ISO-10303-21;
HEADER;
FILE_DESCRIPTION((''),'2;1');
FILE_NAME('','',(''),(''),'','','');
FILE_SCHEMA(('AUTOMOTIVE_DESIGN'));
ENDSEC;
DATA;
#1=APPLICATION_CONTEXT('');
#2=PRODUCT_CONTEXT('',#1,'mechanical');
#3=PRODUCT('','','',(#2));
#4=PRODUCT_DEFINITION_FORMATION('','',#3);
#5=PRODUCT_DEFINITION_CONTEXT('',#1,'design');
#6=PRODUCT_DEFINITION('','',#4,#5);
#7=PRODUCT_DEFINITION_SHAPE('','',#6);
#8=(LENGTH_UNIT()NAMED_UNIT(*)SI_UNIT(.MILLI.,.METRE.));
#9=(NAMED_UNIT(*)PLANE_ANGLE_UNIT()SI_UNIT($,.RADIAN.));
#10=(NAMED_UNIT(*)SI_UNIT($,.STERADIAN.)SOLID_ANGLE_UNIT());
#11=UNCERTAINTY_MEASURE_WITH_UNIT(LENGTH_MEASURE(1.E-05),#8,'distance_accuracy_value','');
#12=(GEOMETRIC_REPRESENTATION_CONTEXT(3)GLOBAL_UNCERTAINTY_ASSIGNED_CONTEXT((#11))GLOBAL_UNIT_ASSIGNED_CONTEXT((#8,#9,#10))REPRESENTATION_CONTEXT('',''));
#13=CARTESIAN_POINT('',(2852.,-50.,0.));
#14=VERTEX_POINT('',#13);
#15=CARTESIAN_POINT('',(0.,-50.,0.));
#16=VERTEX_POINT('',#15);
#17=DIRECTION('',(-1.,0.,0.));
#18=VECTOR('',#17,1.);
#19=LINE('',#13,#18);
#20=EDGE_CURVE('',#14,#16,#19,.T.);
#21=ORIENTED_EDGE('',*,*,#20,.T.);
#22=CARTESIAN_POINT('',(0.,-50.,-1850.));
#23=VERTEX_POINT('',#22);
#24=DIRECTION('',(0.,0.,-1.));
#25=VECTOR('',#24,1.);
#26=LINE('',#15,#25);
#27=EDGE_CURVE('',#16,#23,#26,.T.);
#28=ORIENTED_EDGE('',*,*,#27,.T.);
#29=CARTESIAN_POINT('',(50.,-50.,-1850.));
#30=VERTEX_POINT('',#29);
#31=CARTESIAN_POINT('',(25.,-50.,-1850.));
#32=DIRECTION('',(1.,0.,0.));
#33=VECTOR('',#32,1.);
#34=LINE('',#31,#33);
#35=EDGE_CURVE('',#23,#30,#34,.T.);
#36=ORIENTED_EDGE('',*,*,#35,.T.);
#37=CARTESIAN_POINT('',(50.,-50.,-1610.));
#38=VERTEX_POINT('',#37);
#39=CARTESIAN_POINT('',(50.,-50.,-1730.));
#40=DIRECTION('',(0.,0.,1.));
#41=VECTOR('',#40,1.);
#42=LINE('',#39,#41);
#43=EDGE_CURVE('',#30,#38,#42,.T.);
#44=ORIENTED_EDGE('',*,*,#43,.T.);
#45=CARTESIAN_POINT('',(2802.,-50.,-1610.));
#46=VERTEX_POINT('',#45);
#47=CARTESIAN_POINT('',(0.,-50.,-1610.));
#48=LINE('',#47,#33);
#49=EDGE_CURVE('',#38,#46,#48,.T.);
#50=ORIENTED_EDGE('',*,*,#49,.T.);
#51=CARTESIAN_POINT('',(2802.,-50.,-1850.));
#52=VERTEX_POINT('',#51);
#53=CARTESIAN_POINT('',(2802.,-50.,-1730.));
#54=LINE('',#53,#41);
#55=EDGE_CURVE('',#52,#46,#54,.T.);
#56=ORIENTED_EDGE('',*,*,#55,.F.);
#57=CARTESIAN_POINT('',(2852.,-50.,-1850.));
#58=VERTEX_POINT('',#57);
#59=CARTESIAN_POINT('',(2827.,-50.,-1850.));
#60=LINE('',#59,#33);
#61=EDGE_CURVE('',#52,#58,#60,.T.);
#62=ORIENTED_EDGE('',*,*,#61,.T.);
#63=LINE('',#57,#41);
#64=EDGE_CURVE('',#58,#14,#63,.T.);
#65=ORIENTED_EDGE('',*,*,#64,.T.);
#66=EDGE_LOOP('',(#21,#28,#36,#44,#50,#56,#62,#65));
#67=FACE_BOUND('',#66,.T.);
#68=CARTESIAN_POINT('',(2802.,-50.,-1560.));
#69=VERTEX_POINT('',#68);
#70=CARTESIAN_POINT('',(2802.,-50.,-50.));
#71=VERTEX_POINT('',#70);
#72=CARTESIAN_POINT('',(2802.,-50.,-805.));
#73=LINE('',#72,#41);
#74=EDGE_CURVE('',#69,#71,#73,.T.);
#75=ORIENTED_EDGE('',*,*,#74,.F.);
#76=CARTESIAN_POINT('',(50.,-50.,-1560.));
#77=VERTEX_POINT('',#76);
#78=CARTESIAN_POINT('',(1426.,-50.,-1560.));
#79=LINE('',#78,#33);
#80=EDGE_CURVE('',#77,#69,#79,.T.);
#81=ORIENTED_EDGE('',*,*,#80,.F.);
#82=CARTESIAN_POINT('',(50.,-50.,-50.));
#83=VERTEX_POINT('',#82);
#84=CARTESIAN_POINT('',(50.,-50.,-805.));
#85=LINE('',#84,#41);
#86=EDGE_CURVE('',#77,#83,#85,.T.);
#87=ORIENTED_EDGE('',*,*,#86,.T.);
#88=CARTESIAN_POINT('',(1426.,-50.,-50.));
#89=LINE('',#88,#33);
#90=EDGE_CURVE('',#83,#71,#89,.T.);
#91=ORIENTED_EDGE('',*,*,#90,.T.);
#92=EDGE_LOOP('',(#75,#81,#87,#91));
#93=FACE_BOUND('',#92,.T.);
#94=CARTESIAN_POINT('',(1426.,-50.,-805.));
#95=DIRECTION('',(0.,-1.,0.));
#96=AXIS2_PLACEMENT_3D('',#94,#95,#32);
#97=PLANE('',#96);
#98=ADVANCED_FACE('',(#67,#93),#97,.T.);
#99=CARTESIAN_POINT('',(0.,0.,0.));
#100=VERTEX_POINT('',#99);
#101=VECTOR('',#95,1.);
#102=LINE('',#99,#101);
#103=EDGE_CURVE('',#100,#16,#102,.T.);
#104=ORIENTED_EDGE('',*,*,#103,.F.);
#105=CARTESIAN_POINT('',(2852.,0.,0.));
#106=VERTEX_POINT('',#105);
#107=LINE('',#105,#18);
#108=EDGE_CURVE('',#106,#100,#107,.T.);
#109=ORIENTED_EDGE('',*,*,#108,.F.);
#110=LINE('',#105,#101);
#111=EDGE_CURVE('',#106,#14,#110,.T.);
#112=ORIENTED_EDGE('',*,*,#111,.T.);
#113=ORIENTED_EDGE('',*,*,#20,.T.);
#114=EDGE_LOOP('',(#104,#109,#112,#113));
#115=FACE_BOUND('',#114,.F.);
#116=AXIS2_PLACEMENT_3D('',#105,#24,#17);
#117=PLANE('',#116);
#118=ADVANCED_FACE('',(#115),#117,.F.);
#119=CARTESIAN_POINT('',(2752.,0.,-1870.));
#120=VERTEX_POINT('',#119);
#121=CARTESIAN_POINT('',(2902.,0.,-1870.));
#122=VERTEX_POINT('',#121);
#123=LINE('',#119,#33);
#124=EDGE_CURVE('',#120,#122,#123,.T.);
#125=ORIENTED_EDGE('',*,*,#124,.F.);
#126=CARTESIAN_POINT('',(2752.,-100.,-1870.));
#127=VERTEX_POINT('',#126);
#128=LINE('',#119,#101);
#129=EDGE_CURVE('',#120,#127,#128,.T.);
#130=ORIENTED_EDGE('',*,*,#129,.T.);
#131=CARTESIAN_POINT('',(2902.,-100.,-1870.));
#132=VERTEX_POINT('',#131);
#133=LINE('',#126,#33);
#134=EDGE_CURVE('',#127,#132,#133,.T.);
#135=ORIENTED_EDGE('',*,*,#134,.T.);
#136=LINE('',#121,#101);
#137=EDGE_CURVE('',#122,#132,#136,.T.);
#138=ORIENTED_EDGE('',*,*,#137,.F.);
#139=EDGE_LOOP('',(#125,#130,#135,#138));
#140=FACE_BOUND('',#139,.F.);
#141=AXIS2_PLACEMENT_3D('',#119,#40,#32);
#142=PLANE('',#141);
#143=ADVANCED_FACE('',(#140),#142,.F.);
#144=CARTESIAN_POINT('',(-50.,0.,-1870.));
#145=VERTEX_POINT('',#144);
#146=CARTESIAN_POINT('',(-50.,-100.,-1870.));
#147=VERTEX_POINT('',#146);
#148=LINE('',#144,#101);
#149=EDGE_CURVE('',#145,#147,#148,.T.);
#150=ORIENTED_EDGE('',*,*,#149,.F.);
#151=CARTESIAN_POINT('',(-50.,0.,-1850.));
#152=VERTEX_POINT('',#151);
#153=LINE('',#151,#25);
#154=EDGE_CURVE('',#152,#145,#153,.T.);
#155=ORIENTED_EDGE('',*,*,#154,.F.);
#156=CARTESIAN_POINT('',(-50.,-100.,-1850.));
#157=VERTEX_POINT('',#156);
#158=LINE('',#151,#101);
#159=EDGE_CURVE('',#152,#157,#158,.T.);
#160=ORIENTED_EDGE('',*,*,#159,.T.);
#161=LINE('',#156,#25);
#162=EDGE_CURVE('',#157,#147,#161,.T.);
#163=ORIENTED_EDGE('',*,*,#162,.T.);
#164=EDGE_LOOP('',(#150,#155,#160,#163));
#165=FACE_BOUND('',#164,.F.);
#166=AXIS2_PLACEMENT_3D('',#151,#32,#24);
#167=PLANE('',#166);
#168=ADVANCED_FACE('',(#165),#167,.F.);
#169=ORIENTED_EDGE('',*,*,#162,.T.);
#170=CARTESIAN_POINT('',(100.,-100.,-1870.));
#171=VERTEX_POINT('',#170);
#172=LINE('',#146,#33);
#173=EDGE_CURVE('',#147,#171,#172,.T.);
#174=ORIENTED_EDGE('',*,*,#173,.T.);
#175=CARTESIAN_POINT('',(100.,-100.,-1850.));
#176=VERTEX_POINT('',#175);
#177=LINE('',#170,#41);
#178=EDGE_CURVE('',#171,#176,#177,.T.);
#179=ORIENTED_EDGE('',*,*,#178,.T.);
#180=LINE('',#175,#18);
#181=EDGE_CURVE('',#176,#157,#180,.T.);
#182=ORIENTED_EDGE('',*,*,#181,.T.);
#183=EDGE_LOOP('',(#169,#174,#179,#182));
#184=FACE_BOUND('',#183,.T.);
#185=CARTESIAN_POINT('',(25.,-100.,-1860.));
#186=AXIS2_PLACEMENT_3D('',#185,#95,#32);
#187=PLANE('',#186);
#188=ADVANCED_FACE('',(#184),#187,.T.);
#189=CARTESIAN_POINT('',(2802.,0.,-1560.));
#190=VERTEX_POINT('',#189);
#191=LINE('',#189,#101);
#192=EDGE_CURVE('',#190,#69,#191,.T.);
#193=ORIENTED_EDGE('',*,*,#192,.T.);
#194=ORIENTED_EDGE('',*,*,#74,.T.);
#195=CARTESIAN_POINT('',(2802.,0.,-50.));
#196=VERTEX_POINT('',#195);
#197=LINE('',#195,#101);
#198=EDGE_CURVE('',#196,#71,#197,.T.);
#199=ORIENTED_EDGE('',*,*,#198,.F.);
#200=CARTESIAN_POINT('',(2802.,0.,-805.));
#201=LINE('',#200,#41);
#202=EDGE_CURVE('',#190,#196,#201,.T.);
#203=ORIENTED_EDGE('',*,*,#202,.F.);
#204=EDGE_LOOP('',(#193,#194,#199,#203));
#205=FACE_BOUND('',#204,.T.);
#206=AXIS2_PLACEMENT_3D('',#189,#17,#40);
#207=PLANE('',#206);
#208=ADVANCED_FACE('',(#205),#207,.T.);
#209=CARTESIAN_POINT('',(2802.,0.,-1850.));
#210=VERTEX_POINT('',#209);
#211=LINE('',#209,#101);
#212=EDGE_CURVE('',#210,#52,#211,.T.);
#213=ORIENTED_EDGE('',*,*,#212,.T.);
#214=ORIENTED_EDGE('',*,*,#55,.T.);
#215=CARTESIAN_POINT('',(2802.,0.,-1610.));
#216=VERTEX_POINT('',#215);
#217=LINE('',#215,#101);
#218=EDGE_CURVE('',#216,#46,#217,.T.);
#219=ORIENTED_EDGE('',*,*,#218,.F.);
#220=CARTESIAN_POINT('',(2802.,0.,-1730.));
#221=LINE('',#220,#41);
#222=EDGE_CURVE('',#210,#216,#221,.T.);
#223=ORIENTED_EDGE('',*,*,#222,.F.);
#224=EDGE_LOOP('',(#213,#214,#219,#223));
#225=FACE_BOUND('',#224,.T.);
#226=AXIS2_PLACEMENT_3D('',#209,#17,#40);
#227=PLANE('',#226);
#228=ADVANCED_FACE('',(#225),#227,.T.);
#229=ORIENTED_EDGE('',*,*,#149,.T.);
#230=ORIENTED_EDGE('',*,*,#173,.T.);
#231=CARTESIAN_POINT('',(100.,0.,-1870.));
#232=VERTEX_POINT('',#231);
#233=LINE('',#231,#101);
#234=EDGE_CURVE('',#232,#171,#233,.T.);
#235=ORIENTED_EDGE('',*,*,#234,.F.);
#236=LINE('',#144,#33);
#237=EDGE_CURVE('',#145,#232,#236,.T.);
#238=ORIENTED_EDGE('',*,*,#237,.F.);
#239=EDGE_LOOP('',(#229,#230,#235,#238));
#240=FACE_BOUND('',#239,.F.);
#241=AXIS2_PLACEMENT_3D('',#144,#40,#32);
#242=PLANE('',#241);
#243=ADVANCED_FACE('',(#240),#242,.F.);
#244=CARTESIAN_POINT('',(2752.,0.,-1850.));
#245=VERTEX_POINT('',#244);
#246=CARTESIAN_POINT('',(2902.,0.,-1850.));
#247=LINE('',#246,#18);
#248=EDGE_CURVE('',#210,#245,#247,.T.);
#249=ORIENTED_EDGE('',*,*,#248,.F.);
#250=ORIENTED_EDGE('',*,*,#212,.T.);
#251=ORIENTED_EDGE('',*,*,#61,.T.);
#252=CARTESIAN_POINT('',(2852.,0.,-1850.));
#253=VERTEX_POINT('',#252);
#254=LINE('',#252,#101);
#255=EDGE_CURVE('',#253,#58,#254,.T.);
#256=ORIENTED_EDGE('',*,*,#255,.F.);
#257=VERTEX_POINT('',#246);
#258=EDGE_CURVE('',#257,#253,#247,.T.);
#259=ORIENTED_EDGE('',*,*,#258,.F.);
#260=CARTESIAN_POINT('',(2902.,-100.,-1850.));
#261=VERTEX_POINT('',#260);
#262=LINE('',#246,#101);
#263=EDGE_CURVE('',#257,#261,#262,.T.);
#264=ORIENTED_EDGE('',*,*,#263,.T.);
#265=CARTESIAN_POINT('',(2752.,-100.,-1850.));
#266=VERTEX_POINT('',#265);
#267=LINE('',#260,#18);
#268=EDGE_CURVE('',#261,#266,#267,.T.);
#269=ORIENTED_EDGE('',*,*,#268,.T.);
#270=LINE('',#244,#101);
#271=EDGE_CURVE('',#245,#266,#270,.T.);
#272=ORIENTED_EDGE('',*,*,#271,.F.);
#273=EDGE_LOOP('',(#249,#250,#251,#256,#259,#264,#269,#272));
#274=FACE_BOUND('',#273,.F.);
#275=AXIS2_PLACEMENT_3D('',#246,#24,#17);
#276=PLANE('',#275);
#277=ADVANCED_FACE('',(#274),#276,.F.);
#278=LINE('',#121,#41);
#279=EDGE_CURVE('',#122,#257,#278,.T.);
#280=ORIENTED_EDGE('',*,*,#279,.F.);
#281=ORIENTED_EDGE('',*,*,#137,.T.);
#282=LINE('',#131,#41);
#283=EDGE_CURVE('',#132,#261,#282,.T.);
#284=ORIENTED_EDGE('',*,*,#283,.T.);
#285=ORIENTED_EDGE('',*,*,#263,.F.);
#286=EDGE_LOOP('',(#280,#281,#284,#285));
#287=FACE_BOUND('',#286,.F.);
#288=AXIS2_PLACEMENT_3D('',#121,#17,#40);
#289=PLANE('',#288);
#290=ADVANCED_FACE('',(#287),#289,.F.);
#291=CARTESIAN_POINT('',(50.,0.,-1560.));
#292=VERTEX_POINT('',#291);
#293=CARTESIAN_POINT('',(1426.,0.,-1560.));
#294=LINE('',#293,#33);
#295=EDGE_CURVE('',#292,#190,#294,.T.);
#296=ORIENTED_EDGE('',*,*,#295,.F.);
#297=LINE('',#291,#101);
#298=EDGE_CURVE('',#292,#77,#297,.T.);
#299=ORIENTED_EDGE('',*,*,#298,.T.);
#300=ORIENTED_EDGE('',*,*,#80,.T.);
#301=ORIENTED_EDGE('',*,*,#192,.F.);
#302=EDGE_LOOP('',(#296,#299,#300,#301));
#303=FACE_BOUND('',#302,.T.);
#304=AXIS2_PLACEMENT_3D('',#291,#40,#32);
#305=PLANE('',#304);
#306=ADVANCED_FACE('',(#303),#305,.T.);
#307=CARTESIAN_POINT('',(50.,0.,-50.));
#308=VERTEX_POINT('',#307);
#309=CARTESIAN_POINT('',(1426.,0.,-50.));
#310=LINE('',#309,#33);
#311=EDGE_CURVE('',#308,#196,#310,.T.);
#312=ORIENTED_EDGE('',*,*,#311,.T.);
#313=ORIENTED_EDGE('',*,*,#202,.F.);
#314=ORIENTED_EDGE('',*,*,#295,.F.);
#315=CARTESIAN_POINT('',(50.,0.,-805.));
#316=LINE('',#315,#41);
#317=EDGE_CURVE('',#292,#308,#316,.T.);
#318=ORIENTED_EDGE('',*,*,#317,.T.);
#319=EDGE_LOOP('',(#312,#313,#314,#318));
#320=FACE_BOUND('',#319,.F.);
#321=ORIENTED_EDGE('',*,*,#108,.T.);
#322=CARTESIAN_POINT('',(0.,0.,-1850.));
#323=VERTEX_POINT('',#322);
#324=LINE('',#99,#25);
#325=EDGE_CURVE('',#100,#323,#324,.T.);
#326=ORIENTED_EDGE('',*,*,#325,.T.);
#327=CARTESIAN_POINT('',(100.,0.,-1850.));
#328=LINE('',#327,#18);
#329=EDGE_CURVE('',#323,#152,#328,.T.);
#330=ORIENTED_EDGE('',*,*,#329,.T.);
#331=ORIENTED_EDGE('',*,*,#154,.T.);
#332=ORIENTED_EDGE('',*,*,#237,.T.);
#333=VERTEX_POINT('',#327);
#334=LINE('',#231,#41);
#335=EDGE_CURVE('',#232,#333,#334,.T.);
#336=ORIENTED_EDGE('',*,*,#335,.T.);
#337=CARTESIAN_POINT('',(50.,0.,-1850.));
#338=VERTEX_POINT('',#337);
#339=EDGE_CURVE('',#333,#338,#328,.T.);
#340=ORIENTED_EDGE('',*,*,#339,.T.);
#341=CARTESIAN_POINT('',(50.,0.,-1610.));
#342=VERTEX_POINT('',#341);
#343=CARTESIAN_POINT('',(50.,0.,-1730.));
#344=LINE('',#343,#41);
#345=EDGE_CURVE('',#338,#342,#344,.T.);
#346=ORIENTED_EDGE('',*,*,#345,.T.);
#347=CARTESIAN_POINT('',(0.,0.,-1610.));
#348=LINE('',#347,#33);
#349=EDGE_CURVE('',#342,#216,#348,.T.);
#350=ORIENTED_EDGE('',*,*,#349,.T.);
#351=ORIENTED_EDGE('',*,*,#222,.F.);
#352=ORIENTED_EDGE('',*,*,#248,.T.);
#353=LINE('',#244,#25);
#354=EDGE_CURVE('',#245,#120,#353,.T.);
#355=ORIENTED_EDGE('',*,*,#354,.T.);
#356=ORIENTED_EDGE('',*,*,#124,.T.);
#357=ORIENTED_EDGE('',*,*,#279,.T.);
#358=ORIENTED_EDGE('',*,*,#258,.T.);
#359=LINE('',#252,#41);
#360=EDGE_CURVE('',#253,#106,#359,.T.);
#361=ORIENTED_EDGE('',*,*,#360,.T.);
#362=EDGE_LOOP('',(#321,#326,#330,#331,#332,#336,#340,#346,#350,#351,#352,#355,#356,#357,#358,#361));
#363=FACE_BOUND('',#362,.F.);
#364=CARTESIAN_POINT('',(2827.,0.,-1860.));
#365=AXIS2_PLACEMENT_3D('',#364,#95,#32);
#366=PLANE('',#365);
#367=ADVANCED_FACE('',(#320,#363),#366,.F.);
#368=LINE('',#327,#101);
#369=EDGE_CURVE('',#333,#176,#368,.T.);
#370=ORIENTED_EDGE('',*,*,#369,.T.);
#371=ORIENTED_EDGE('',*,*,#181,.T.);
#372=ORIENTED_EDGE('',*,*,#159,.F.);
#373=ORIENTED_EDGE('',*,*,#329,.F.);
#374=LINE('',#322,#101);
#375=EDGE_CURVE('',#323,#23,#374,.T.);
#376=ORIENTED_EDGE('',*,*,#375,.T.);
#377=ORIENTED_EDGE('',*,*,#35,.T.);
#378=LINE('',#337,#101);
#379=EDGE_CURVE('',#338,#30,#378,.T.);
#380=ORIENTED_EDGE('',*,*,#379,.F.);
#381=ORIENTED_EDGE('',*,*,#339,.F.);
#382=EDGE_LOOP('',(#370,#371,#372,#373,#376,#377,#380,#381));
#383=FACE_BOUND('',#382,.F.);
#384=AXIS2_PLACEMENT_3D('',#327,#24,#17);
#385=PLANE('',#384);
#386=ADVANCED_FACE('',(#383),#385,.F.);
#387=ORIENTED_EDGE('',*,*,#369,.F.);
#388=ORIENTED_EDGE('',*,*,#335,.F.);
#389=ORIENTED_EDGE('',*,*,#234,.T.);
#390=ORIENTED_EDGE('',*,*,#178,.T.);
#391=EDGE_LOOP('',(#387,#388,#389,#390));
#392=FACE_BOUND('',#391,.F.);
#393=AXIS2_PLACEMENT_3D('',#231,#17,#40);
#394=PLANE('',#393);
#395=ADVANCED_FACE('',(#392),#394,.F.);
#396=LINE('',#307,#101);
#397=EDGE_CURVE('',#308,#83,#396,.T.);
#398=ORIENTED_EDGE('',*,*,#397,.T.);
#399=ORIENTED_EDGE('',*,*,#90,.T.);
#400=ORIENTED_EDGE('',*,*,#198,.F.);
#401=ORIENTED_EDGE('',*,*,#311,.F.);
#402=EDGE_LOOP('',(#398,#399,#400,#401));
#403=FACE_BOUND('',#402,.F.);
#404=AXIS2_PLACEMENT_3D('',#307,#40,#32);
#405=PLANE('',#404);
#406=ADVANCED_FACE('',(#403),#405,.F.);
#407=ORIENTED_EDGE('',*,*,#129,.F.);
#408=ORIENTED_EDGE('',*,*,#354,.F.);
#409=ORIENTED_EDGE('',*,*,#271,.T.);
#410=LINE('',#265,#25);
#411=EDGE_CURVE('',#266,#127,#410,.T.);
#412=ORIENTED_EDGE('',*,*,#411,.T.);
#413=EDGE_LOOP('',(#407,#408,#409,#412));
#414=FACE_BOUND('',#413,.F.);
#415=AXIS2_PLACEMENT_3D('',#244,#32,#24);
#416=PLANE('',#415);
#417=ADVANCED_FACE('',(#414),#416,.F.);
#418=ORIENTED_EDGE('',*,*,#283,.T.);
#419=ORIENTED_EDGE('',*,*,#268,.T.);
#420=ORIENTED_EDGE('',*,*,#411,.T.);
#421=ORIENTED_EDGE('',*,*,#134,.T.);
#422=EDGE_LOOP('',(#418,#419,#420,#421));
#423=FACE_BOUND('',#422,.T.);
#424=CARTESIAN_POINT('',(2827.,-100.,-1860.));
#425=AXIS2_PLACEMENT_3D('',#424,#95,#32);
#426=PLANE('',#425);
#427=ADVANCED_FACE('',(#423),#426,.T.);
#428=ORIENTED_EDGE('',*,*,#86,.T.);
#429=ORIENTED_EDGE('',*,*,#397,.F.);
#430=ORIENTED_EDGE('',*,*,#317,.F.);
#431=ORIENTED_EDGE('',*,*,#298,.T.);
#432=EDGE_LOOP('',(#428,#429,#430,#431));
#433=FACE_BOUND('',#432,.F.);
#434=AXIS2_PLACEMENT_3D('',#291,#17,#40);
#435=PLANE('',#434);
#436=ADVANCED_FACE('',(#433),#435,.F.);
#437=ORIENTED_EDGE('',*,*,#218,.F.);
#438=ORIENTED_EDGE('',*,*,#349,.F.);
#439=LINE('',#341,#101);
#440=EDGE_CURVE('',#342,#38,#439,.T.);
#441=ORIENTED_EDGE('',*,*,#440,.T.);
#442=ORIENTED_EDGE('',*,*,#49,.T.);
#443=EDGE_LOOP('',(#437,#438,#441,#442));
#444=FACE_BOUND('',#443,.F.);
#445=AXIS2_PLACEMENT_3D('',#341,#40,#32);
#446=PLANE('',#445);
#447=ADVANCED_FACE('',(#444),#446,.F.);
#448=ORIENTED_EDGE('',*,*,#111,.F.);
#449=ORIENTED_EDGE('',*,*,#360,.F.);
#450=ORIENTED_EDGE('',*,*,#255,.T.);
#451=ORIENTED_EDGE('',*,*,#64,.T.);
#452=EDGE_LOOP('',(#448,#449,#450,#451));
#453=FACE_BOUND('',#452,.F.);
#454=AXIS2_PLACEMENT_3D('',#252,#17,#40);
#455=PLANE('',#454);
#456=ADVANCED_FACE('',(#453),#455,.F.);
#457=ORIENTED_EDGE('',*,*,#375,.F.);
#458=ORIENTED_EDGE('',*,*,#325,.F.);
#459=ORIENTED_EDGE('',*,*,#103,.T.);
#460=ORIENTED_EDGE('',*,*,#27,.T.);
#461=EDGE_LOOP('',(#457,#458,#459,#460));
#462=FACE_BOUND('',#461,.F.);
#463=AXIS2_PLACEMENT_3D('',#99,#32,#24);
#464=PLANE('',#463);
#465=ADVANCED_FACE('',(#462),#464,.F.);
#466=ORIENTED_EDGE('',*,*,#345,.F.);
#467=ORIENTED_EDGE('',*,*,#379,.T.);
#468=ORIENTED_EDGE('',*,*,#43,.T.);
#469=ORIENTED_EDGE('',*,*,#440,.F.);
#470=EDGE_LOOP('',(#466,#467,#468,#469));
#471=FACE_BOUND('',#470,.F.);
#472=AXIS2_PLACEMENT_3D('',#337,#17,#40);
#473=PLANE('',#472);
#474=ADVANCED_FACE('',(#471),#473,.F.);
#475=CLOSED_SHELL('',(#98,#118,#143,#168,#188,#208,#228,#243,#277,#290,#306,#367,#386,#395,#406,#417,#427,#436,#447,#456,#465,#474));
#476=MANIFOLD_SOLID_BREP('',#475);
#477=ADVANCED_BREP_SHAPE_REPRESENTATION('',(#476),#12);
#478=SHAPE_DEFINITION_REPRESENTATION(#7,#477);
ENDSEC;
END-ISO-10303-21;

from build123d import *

# Parameters (mm, degrees)
F0_W     = 2752
F0_H     = 1510
F0_W_2   = 50
F0_H_2   = 240
F1_DEPTH = 50
F2_DEPTH = 100
F3_DEPTH = 100


with BuildPart() as f1:
    # F0 (on Front) → F1 (new body)
    with BuildSketch(Plane.XZ):
        Polygon((2852, 0), (0, 0), (0, -1610), (50, -1610), (2802, -1610), (2852, -1610), align=None)
        with Locations((1426, -805)):
            Rectangle(F0_W, F0_H, mode=Mode.SUBTRACT)
        with Locations((25, -1730)):
            Rectangle(F0_W_2, F0_H_2)
        with Locations((2827, -1730)):
            Rectangle(F0_W_2, F0_H_2)
    extrude(amount=F1_DEPTH)

    # F0 (on Front) → F2 (join)
    with BuildSketch(Plane.XZ):
        Polygon((50, -1850), (0, -1850), (-50, -1850), (-50, -1870), (100, -1870), (100, -1850), align=None)
    extrude(amount=F2_DEPTH)

    # F0 (on Front) → F3 (join)
    with BuildSketch(Plane.XZ):
        Polygon((2902, -1850), (2852, -1850), (2802, -1850), (2752, -1850), (2752, -1870), (2902, -1870), align=None)
    extrude(amount=F3_DEPTH)


solid = f1.part
